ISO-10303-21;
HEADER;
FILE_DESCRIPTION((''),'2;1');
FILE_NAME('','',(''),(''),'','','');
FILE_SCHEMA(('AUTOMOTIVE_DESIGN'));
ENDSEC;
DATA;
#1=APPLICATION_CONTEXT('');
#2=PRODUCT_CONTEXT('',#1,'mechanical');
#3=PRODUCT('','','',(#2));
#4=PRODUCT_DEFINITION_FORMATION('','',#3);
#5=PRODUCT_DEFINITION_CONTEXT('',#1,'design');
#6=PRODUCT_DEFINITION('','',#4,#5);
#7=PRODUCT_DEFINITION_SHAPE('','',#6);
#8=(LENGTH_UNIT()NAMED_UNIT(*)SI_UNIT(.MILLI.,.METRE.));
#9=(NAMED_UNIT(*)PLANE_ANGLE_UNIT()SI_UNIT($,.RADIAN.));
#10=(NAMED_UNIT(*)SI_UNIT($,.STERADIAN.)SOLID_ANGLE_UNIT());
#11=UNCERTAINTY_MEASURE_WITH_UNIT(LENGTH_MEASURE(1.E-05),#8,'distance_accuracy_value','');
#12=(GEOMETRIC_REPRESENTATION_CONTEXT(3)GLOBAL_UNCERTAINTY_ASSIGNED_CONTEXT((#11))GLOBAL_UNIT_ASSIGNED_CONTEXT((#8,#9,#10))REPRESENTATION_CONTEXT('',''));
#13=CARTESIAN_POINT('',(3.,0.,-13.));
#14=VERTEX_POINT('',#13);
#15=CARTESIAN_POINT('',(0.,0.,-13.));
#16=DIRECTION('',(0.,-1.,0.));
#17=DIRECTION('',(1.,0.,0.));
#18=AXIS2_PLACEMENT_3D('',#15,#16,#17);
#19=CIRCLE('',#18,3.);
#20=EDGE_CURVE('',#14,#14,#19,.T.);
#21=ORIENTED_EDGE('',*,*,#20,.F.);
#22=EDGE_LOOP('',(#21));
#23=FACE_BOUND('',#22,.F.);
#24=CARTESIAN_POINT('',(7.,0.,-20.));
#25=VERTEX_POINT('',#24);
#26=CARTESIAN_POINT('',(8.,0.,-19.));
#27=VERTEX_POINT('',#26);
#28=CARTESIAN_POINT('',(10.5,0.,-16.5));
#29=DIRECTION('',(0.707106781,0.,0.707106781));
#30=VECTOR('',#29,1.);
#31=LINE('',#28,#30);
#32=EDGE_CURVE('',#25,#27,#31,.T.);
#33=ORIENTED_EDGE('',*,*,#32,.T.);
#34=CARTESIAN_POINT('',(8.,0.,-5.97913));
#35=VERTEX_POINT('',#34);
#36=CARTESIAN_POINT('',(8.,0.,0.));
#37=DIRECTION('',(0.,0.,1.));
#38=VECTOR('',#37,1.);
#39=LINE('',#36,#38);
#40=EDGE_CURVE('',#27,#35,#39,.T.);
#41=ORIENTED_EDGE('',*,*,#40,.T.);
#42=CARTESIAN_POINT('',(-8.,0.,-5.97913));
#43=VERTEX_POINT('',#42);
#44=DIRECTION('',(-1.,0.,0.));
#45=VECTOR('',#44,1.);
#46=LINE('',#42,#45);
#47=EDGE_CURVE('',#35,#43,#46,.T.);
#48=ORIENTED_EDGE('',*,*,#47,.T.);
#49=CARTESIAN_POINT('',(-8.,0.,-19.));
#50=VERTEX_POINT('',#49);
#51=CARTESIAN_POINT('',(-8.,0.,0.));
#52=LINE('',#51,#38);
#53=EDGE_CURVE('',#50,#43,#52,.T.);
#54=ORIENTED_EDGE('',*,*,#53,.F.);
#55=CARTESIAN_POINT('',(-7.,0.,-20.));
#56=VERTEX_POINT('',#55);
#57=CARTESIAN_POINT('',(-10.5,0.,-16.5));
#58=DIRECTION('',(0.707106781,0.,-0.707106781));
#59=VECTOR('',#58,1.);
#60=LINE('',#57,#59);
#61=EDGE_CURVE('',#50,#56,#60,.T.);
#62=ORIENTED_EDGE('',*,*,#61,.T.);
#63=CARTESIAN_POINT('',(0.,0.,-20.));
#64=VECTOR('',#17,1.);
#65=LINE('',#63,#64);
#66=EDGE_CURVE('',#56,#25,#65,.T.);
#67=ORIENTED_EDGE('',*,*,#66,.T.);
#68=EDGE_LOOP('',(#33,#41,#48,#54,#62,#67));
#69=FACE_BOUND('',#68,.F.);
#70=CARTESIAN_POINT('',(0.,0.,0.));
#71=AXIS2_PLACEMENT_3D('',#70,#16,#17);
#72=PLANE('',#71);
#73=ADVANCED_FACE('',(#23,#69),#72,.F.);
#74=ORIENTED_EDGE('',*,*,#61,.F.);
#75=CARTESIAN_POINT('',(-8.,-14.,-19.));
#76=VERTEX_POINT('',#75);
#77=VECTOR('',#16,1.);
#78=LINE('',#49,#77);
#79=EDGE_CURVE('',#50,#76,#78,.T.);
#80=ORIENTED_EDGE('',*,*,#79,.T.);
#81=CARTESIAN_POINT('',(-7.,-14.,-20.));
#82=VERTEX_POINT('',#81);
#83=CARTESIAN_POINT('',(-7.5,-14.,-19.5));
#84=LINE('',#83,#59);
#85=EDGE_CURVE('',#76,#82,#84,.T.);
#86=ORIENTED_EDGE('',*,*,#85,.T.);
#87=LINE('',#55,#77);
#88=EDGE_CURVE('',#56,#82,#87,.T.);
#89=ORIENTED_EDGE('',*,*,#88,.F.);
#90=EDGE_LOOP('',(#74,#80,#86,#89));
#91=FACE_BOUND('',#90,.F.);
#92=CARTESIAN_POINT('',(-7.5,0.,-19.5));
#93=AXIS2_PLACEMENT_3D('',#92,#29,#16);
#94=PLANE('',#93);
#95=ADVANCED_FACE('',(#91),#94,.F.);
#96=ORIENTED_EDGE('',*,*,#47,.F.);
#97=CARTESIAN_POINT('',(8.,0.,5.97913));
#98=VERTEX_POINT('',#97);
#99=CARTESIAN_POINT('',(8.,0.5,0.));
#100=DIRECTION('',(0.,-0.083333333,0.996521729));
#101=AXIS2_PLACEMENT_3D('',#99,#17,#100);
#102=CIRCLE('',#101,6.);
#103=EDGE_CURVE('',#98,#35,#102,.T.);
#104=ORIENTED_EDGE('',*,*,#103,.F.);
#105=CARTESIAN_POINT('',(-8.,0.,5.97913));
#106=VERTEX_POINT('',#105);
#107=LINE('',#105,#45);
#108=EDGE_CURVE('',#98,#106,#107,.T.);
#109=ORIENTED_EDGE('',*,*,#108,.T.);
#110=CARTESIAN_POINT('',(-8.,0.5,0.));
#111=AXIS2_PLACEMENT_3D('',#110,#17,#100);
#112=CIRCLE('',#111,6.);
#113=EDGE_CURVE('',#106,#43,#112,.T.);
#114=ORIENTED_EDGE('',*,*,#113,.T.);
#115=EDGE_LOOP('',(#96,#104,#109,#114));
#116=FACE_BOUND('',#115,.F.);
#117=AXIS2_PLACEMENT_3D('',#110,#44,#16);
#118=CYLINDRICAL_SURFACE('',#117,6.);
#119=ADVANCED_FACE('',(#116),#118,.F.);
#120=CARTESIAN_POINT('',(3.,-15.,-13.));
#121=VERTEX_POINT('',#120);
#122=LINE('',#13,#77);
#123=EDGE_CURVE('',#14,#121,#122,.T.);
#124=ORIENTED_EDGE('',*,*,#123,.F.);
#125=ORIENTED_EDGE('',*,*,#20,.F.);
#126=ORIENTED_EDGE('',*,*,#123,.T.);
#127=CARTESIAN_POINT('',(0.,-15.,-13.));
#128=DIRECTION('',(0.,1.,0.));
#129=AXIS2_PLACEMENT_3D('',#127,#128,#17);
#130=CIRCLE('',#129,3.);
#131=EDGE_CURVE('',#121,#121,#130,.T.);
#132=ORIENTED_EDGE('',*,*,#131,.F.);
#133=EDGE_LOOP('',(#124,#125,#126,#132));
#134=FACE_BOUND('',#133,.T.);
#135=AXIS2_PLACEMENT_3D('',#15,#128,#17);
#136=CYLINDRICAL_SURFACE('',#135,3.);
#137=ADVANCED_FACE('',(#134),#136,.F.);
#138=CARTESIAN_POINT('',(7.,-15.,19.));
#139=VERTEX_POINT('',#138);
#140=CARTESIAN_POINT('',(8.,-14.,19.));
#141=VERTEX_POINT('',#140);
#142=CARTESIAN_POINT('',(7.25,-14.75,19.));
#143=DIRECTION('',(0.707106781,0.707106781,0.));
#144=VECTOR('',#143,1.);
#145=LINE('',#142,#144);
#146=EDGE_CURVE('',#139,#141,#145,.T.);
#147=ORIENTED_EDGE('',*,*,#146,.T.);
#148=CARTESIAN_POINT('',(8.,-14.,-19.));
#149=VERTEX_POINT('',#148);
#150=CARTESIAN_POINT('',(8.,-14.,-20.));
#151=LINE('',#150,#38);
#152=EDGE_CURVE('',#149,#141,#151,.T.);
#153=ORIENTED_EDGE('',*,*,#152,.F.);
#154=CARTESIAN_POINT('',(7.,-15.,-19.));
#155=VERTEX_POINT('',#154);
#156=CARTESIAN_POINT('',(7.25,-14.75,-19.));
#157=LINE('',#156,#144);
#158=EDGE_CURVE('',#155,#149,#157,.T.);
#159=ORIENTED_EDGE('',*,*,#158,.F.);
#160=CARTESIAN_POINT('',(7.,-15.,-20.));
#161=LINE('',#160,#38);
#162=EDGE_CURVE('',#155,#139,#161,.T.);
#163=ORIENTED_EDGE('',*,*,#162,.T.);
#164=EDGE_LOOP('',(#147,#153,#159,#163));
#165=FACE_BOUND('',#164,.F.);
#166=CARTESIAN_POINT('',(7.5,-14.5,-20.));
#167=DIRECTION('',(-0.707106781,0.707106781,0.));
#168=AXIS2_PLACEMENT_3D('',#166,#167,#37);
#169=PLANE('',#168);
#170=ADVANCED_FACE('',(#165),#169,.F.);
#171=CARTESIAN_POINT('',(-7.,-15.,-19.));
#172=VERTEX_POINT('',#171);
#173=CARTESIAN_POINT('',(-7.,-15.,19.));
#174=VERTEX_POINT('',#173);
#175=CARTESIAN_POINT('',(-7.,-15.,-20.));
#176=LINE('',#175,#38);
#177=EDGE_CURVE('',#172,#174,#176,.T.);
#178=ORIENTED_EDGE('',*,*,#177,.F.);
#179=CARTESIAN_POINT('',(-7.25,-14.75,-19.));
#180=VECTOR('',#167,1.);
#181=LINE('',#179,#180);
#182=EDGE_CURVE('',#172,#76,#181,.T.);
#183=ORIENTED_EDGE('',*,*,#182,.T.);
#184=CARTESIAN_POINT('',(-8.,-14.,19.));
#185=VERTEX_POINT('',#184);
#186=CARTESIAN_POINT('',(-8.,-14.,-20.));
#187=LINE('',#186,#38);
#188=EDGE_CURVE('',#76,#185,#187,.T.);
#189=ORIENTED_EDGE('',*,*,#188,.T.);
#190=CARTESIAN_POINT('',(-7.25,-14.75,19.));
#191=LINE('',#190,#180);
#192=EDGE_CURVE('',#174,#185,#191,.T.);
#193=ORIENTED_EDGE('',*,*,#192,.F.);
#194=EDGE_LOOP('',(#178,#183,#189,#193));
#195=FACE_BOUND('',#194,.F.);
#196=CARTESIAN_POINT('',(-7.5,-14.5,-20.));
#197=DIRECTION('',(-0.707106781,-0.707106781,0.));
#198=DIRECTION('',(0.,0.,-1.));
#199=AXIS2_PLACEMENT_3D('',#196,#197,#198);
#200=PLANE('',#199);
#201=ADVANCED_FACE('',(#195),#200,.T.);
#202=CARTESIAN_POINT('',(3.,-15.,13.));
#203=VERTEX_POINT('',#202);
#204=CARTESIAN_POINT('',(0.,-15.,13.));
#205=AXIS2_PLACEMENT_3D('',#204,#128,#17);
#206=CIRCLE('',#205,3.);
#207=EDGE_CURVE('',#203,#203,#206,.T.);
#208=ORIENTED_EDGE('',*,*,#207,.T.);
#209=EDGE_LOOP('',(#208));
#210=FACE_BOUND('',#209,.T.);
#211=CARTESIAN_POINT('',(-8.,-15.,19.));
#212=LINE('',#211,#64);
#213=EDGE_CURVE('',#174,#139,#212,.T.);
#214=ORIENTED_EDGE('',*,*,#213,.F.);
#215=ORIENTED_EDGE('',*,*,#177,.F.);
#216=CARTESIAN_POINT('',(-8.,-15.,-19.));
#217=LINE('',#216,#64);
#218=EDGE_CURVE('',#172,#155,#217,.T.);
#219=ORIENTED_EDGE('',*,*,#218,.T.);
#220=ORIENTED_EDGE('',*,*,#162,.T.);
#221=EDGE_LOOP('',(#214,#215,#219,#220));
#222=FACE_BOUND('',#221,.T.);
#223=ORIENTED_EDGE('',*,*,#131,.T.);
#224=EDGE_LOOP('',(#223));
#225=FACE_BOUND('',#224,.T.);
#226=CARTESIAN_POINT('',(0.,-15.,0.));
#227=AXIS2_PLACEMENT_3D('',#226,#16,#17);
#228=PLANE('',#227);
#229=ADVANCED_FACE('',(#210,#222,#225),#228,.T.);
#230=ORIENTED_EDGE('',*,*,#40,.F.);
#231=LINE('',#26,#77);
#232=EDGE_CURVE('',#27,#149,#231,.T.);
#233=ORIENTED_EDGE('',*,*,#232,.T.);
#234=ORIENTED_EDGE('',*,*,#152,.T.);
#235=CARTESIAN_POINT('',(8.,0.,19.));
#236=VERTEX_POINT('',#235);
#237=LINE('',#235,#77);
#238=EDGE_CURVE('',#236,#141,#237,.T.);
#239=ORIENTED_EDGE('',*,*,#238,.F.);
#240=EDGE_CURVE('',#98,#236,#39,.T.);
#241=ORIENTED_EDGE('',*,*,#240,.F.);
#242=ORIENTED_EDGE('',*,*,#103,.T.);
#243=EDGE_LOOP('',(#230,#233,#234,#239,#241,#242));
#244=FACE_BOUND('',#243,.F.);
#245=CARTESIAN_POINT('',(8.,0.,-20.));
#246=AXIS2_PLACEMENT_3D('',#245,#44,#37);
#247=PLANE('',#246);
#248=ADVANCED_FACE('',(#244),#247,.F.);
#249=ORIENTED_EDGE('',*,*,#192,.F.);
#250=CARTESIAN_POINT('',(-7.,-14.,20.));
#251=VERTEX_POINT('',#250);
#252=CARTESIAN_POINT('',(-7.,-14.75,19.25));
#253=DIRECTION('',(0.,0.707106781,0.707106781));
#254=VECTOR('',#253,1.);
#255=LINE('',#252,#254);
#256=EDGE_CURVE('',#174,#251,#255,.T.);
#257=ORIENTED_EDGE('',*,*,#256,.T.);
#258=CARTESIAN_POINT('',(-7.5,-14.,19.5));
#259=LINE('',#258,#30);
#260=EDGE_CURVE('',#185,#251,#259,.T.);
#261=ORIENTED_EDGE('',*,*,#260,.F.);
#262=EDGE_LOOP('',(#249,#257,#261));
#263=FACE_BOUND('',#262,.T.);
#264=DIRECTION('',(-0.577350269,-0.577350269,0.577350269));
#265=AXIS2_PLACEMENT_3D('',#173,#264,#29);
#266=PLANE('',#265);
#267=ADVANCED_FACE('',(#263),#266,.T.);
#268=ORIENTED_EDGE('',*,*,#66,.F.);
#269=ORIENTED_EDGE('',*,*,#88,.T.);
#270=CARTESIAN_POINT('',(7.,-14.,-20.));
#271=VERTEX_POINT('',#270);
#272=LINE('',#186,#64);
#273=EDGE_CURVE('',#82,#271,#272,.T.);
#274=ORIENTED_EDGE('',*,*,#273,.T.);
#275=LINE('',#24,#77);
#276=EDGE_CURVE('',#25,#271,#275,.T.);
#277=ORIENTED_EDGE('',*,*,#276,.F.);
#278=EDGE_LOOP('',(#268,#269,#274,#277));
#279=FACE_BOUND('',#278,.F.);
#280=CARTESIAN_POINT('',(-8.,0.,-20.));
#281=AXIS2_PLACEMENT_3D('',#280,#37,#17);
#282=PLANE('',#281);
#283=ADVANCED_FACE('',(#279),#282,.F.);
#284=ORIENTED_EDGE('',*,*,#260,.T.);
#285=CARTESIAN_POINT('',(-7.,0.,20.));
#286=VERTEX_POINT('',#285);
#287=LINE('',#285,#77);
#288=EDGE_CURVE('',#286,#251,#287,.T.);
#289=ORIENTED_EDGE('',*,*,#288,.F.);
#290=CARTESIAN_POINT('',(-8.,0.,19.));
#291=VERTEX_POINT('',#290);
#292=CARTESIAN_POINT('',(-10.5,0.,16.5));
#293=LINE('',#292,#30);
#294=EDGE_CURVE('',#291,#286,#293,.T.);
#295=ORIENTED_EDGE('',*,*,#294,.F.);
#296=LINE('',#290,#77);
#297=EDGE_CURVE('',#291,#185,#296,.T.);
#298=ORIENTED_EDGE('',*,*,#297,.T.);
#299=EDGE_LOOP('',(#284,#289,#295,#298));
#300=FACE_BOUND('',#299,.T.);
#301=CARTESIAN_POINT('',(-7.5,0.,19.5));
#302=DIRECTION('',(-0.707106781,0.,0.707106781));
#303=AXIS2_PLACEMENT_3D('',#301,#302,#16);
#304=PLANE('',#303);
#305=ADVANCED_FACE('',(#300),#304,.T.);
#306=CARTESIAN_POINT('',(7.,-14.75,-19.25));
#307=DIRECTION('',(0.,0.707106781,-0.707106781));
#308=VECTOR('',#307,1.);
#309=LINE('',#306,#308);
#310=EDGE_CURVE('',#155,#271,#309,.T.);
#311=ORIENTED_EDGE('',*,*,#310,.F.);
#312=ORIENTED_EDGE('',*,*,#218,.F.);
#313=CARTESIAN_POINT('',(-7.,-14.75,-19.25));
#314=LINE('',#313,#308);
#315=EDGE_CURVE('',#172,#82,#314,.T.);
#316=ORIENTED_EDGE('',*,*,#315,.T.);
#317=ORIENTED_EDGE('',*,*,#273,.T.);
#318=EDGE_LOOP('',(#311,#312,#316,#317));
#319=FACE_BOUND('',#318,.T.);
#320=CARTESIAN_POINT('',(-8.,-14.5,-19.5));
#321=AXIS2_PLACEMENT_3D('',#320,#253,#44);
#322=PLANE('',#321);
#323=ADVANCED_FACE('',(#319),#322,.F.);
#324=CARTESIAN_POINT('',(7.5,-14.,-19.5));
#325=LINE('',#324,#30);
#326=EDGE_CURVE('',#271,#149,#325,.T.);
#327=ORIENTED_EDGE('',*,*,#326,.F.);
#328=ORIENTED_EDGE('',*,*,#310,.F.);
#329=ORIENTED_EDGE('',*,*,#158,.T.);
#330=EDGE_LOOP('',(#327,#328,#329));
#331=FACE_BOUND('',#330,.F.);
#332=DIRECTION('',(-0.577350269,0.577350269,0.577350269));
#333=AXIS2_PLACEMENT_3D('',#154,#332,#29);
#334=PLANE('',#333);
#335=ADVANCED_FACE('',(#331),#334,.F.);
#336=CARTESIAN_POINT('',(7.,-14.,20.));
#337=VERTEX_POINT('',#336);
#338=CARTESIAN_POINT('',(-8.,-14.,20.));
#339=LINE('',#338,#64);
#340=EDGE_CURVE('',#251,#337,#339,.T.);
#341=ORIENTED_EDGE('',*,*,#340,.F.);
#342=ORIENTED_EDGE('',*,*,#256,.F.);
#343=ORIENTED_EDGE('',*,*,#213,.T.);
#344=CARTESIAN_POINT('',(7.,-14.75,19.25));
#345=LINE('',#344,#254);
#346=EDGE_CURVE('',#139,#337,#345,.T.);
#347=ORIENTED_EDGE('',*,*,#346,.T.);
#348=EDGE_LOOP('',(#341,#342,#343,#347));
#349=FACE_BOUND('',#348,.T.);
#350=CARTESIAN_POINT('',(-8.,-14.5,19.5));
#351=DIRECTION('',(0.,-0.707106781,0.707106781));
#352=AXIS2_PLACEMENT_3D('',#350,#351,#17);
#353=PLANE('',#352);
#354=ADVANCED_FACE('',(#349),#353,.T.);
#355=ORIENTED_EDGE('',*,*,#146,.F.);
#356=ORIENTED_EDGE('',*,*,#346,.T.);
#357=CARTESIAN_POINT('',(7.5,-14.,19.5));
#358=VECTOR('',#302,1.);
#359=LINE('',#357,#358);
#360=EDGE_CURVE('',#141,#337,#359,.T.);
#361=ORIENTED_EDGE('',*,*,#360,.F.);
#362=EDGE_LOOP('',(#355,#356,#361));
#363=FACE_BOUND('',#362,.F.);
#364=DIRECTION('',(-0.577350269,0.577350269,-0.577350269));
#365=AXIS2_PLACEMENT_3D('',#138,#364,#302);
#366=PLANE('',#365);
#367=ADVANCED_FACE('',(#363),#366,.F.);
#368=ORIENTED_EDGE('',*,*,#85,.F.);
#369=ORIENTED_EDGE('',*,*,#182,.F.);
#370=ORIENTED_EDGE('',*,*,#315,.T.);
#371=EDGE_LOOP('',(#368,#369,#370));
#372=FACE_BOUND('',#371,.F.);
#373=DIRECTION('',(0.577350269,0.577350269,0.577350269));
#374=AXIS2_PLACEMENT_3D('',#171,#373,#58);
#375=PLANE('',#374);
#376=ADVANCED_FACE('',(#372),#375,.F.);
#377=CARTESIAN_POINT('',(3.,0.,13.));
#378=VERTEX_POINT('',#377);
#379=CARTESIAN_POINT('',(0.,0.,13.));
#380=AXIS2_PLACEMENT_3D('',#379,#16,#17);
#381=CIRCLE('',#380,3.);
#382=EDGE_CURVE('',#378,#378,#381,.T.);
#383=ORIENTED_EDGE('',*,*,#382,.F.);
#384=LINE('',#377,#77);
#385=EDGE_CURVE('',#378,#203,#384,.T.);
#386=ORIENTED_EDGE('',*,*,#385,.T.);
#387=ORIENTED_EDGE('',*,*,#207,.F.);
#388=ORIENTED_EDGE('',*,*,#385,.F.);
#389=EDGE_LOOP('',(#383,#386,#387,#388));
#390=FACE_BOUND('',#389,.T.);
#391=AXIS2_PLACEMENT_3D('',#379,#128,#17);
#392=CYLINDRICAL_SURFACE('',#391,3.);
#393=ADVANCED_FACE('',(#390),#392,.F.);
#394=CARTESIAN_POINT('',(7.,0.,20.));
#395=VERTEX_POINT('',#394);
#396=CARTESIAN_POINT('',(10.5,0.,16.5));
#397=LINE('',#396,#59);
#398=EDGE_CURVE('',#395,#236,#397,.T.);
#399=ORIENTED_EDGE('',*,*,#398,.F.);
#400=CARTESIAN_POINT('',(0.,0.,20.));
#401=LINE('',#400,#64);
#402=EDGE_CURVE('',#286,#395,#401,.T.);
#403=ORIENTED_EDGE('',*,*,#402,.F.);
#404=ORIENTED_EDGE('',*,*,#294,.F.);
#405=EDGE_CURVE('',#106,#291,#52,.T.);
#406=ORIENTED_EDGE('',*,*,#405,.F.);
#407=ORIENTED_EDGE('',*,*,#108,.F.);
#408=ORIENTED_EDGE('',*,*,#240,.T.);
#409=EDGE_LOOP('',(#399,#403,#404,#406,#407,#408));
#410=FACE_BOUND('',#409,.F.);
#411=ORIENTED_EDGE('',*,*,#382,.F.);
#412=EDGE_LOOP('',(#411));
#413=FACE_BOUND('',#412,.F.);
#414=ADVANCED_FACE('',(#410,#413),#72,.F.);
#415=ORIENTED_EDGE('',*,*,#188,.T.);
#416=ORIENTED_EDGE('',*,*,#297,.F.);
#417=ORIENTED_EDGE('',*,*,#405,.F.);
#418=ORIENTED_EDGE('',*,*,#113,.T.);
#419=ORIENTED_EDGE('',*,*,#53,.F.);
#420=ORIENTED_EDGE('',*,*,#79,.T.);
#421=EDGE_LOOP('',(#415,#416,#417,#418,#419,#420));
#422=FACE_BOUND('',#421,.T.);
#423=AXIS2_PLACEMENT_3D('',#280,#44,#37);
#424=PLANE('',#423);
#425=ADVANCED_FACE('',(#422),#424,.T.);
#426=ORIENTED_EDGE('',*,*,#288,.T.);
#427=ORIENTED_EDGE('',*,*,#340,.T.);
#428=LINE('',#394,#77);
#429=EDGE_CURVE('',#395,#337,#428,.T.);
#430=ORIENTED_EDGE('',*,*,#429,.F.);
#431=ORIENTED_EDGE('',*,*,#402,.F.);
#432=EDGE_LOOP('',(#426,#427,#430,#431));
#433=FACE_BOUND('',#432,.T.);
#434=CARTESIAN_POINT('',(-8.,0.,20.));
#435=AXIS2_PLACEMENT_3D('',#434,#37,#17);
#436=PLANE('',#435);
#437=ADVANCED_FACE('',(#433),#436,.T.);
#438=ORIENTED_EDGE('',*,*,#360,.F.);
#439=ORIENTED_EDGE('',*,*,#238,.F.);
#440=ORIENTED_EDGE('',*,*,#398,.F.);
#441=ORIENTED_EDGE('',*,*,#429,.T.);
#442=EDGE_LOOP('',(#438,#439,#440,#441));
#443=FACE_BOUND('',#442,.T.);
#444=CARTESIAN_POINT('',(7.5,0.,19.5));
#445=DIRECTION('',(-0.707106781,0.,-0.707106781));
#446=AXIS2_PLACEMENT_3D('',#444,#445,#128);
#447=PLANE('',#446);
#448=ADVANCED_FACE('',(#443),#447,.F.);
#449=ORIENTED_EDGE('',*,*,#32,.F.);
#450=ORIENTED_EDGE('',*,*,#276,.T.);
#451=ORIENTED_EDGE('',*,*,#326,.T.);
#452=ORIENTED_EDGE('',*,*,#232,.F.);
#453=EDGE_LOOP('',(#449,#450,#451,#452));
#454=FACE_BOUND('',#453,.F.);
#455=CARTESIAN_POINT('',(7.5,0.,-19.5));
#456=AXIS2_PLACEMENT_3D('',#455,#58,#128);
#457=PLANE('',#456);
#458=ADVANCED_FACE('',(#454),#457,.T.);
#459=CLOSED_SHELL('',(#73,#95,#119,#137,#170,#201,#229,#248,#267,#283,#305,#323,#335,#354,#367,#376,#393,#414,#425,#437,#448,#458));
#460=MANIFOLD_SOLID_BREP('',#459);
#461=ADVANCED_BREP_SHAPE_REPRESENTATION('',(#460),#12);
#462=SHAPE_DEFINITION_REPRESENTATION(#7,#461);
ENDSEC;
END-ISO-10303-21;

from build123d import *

# Parameters (mm, degrees)
F0_W     = 16
F0_H     = 40
F1_DEPTH = 15
F2_R     = 6
F3_DEPTH = 16.001
F4_R     = 3
F5_DEPTH = 15.001
F6_SIZE  = 1


with BuildPart() as f1:
    # F0 (on Front) → F1 (new body)
    with BuildSketch(Plane.XZ):
        Rectangle(F0_W, F0_H)
    extrude(amount=F1_DEPTH)

    # F2 (on face) → F3 (cut, through all)
    with BuildSketch(Plane(origin=(-8, 0, 0), x_dir=(0, -1, 0), z_dir=(-1, 0, 0))):
        with Locations((-0.5, 0)):
            Circle(F2_R)
    extrude(amount=-F3_DEPTH, mode=Mode.SUBTRACT)

    # F4 (on Front) → F5 (cut, through all)
    with BuildSketch(Plane.XZ):
        with Locations((0, 13)):
            Circle(F4_R)
        with Locations((0, -13)):
            Circle(F4_R)
    extrude(amount=F5_DEPTH, mode=Mode.SUBTRACT)

    # F6
    f6_edges = [f1.edges().sort_by_distance(p)[0] for p in [
        (8, -7.5, 20),
        (-8, -7.5, 20),
        (8, -7.5, -20),
        (-8, -7.5, -20),
        (-8, -15, 0),
        (0, -15, -20),
        (8, -15, 0),
        (0, -15, 20),
    ]]
    chamfer(f6_edges, length=F6_SIZE)


solid = f1.part
